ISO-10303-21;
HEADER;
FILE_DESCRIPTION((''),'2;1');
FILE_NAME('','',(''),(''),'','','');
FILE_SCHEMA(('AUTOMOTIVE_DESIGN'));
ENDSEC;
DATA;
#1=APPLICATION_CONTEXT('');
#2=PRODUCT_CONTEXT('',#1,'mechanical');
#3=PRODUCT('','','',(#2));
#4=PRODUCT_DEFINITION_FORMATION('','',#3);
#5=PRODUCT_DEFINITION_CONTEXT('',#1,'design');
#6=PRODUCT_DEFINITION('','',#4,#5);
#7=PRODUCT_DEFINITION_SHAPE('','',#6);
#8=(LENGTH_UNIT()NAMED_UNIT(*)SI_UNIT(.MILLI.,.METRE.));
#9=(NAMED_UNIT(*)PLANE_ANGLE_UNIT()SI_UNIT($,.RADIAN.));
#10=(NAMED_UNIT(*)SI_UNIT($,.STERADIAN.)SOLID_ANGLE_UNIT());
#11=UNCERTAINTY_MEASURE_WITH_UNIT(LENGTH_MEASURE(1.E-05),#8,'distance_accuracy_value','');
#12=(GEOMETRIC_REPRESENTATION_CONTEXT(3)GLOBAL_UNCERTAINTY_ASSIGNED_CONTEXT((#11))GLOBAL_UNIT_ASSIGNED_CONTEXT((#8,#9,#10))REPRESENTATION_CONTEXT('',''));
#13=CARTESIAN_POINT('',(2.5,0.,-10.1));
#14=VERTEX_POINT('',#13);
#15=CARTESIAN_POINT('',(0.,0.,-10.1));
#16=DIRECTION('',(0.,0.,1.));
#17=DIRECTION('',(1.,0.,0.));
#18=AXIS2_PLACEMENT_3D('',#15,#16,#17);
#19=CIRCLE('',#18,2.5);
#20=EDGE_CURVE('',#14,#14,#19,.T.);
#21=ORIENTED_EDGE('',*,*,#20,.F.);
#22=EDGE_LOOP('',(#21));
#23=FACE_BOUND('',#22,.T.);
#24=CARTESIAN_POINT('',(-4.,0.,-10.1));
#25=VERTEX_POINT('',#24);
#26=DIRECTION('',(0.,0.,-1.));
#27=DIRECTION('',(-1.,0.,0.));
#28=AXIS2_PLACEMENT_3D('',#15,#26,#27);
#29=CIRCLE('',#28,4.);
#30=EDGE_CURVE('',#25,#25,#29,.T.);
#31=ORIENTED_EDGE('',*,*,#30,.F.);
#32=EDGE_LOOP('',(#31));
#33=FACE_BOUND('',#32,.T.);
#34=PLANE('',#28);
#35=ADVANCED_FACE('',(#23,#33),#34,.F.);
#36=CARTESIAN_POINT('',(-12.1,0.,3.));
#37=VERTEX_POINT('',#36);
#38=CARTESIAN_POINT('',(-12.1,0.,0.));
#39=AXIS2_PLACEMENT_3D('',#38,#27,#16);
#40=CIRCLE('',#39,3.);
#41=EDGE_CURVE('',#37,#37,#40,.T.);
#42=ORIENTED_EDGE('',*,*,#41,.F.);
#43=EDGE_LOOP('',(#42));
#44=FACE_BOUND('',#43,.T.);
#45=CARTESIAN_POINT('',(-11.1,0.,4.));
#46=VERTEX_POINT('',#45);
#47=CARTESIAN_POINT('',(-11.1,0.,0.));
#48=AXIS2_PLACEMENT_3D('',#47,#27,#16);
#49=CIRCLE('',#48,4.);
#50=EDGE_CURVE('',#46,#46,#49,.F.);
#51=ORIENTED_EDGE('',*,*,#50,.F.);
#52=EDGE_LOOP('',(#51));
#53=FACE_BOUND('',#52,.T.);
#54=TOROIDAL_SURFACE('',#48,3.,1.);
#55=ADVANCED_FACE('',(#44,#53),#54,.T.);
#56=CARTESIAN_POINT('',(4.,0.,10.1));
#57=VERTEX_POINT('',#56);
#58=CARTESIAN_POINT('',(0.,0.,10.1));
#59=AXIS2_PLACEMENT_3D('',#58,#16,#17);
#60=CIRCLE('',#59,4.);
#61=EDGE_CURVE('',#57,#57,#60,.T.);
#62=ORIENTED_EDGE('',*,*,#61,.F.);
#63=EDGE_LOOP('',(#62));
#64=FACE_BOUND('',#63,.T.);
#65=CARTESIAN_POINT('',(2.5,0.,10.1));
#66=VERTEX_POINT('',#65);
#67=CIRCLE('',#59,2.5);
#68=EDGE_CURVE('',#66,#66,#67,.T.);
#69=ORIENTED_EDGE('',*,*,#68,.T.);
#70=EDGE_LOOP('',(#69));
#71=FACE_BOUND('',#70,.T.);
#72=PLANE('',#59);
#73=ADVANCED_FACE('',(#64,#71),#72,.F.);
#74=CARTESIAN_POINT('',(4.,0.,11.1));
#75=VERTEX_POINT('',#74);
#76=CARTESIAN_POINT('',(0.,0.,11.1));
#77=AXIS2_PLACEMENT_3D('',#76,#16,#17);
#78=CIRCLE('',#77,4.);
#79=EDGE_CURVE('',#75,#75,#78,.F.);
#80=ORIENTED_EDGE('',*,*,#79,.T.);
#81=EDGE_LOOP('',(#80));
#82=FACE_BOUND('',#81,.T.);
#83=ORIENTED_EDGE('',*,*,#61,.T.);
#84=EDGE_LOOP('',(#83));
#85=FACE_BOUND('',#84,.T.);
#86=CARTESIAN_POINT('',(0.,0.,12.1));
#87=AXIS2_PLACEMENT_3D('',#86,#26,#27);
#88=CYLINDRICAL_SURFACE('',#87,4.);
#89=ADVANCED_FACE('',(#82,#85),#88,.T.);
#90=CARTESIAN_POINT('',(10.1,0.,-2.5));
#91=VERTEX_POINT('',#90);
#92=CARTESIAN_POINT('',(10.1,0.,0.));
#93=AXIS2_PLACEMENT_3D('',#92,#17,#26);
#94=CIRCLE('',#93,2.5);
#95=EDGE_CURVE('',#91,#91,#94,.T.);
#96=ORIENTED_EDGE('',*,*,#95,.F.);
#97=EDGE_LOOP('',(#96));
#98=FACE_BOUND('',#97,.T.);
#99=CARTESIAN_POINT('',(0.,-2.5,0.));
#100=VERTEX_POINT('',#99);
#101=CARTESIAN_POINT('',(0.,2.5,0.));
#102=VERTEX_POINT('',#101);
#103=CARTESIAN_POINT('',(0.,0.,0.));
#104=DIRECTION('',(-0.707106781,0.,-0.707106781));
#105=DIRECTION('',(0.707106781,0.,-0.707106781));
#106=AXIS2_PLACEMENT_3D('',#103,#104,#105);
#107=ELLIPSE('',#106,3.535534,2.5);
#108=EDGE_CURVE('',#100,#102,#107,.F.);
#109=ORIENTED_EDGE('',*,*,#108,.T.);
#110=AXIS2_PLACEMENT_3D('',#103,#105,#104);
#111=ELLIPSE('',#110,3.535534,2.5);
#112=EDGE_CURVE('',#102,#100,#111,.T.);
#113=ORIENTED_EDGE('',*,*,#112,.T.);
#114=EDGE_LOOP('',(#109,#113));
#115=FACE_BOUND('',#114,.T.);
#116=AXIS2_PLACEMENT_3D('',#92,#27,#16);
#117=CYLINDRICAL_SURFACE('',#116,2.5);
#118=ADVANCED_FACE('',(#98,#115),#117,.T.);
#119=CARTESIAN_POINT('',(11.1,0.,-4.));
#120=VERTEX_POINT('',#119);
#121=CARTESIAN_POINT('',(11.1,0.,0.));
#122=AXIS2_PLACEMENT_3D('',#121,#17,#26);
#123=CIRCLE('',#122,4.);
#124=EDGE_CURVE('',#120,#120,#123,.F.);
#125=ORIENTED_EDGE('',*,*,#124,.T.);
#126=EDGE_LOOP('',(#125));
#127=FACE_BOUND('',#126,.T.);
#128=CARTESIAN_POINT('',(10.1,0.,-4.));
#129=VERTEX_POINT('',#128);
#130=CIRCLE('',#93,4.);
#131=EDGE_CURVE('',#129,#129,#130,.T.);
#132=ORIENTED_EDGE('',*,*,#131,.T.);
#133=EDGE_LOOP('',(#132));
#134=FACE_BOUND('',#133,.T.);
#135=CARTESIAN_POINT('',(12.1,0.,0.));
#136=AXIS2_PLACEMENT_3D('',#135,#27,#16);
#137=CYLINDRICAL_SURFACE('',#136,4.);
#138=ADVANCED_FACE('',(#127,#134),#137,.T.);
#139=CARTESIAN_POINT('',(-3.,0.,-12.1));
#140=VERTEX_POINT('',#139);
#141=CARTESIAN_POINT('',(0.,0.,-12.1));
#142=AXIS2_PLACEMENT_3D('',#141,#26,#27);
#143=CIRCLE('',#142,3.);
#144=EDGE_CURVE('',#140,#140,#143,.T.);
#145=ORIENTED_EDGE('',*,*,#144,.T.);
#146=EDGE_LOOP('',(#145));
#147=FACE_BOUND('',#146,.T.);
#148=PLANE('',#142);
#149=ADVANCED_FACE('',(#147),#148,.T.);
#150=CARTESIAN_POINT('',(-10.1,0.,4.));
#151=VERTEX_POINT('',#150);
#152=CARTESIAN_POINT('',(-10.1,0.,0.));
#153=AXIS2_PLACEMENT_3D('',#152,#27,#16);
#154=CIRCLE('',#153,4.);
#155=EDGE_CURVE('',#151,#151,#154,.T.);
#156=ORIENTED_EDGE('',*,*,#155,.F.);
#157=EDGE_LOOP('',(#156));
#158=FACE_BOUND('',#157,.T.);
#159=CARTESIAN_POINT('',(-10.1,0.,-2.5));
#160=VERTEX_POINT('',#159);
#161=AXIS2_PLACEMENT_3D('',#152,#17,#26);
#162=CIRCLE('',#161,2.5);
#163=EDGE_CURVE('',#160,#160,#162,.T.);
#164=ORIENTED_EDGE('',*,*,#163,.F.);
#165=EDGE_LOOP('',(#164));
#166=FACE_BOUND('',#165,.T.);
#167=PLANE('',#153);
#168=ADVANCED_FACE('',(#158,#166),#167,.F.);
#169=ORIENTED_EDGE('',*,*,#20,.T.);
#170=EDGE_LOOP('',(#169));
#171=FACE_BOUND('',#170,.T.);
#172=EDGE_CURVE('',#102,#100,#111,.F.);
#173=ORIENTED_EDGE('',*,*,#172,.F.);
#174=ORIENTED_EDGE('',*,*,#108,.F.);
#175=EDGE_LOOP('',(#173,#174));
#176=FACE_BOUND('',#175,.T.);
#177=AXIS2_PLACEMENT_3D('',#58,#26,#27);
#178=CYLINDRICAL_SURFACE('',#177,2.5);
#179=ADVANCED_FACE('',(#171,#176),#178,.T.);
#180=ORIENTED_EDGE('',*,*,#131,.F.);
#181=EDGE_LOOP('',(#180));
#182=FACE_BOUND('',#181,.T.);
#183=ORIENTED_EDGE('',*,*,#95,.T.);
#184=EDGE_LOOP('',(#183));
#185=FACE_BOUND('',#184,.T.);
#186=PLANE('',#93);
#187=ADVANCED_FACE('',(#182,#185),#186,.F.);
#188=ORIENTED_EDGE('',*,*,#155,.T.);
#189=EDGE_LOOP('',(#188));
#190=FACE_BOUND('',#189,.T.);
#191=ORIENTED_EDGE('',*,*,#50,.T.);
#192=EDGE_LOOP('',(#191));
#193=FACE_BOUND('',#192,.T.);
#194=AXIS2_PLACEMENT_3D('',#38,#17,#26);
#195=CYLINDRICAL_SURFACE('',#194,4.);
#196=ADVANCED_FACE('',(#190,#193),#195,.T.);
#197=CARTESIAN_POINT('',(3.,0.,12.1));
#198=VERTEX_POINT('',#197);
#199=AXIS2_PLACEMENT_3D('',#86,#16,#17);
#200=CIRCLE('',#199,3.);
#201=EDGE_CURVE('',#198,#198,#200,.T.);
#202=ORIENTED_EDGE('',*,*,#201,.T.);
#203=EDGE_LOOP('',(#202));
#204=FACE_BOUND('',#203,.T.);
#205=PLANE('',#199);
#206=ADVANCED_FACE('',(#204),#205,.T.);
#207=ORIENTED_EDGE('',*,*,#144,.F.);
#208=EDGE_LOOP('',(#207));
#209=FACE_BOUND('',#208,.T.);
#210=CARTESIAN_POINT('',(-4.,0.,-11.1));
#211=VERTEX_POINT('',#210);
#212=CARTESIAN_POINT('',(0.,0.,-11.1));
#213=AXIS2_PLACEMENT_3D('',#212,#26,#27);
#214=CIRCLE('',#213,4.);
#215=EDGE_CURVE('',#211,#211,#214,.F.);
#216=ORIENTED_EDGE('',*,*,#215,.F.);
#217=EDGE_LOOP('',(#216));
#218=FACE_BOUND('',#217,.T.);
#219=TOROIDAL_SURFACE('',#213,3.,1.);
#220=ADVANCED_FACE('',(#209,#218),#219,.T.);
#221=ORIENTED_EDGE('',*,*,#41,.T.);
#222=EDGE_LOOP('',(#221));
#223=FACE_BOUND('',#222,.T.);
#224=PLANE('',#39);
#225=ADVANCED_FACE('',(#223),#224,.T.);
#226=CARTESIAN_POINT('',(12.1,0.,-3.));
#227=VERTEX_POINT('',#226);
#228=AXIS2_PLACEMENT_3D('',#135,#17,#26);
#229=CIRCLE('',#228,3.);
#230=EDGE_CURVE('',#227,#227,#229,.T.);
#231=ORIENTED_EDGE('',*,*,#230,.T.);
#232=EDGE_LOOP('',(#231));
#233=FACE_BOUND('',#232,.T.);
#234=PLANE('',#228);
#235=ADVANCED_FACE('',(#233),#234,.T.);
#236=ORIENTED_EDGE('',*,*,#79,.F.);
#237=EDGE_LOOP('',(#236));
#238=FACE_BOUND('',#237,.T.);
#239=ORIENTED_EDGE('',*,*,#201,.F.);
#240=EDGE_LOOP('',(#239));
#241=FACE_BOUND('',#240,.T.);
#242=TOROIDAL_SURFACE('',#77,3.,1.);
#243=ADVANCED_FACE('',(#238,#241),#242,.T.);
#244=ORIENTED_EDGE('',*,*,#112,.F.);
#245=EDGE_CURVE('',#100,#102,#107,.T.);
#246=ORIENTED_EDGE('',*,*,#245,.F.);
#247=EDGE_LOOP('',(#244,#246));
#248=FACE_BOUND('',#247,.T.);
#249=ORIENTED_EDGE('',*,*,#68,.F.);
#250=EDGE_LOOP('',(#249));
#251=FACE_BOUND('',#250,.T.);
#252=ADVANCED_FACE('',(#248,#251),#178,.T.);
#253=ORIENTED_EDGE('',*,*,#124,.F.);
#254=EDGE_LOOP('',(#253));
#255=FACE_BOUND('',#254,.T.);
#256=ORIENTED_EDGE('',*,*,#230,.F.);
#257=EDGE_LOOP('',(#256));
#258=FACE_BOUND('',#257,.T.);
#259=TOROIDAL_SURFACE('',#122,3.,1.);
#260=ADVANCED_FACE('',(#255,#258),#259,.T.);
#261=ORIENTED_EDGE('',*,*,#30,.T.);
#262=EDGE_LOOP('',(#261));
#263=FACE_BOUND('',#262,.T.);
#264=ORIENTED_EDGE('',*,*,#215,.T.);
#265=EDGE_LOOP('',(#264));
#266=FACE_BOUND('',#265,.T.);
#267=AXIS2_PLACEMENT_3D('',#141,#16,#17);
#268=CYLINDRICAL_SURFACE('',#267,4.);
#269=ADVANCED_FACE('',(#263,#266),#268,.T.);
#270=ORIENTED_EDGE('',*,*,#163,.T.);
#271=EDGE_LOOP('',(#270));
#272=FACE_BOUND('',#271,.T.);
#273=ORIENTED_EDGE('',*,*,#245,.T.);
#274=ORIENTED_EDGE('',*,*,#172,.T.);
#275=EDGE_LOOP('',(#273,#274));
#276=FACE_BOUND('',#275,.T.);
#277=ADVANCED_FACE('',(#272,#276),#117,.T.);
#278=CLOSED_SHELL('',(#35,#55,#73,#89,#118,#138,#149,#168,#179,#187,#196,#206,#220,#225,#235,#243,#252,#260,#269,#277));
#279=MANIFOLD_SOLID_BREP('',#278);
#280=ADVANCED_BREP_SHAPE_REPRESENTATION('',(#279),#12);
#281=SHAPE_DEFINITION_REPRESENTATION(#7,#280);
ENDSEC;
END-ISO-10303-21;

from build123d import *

# Parameters (mm, degrees)
ESQUISSE1_R        = 2.5
BOSS_EXTRU_1_DEPTH = 10.1
ESQUISSE3_R        = 2.5
BOSS_EXTRU_2_DEPTH = 10.1
ESQUISSE4_R        = 4
BOSS_EXTRU_3_DEPTH = 2
ESQUISSE5_R        = 4
BOSS_EXTRU_4_DEPTH = 2
ESQUISSE6_R        = 4
BOSS_EXTRU_5_DEPTH = 2
ESQUISSE7_R        = 4
BOSS_EXTRU_6_DEPTH = 2
CONG_1_R           = 1


with BuildPart() as part:
    # Esquisse1 → Boss.-Extru.1 (new body, symmetric)
    with BuildSketch(Plane.XY):
        Circle(ESQUISSE1_R)
    extrude(amount=BOSS_EXTRU_1_DEPTH, both=True)

    # Esquisse3 → Boss.-Extru.2 (add, symmetric)
    with BuildSketch(Plane(origin=(0, 0, 0), x_dir=(0, 0, -1), z_dir=(1, 0, 0))):
        with Locations(Location((0, 0, 0), (0, 0, 270))):  # turned: the seam where the file's is
            Circle(ESQUISSE3_R)
    extrude(amount=BOSS_EXTRU_2_DEPTH, both=True)

    # Esquisse4 → Boss.-Extru.3 (add)
    with BuildSketch(Plane(origin=(10.1, 0, 0), x_dir=(0, 0, -1), z_dir=(1, 0, 0))):
        Circle(ESQUISSE4_R)
    extrude(amount=BOSS_EXTRU_3_DEPTH)

    # Esquisse5 → Boss.-Extru.4 (add)
    with BuildSketch(Plane.ZY.offset(10.1)):
        with Locations(Location((0, 0, 0), (0, 0, 180))):  # turned: the seam where the file's is
            Circle(ESQUISSE5_R)
    extrude(amount=BOSS_EXTRU_4_DEPTH)

    # Esquisse6 → Boss.-Extru.5 (add)
    with BuildSketch(Plane.XY.offset(10.1)):
        Circle(ESQUISSE6_R)
    extrude(amount=BOSS_EXTRU_5_DEPTH)

    # Esquisse7 → Boss.-Extru.6 (add)
    with BuildSketch(Plane(origin=(0, 0, -10.1), x_dir=(-1, 0, 0), z_dir=(0, 0, -1))):
        with Locations(Location((0, 0, 0), (0, 0, 180))):  # turned: the seam where the file's is
            Circle(ESQUISSE7_R)
    extrude(amount=BOSS_EXTRU_6_DEPTH)

    # Congé1
    cong_1_edges = [part.edges().sort_by_distance(p)[0] for p in [
        (12.1, 0, 4),
        (-12.1, 0, 4),
        (-4, 0, 12.1),
        (-4, 0, -12.1),
    ]]
    fillet(cong_1_edges, radius=CONG_1_R)


solid = part.part
